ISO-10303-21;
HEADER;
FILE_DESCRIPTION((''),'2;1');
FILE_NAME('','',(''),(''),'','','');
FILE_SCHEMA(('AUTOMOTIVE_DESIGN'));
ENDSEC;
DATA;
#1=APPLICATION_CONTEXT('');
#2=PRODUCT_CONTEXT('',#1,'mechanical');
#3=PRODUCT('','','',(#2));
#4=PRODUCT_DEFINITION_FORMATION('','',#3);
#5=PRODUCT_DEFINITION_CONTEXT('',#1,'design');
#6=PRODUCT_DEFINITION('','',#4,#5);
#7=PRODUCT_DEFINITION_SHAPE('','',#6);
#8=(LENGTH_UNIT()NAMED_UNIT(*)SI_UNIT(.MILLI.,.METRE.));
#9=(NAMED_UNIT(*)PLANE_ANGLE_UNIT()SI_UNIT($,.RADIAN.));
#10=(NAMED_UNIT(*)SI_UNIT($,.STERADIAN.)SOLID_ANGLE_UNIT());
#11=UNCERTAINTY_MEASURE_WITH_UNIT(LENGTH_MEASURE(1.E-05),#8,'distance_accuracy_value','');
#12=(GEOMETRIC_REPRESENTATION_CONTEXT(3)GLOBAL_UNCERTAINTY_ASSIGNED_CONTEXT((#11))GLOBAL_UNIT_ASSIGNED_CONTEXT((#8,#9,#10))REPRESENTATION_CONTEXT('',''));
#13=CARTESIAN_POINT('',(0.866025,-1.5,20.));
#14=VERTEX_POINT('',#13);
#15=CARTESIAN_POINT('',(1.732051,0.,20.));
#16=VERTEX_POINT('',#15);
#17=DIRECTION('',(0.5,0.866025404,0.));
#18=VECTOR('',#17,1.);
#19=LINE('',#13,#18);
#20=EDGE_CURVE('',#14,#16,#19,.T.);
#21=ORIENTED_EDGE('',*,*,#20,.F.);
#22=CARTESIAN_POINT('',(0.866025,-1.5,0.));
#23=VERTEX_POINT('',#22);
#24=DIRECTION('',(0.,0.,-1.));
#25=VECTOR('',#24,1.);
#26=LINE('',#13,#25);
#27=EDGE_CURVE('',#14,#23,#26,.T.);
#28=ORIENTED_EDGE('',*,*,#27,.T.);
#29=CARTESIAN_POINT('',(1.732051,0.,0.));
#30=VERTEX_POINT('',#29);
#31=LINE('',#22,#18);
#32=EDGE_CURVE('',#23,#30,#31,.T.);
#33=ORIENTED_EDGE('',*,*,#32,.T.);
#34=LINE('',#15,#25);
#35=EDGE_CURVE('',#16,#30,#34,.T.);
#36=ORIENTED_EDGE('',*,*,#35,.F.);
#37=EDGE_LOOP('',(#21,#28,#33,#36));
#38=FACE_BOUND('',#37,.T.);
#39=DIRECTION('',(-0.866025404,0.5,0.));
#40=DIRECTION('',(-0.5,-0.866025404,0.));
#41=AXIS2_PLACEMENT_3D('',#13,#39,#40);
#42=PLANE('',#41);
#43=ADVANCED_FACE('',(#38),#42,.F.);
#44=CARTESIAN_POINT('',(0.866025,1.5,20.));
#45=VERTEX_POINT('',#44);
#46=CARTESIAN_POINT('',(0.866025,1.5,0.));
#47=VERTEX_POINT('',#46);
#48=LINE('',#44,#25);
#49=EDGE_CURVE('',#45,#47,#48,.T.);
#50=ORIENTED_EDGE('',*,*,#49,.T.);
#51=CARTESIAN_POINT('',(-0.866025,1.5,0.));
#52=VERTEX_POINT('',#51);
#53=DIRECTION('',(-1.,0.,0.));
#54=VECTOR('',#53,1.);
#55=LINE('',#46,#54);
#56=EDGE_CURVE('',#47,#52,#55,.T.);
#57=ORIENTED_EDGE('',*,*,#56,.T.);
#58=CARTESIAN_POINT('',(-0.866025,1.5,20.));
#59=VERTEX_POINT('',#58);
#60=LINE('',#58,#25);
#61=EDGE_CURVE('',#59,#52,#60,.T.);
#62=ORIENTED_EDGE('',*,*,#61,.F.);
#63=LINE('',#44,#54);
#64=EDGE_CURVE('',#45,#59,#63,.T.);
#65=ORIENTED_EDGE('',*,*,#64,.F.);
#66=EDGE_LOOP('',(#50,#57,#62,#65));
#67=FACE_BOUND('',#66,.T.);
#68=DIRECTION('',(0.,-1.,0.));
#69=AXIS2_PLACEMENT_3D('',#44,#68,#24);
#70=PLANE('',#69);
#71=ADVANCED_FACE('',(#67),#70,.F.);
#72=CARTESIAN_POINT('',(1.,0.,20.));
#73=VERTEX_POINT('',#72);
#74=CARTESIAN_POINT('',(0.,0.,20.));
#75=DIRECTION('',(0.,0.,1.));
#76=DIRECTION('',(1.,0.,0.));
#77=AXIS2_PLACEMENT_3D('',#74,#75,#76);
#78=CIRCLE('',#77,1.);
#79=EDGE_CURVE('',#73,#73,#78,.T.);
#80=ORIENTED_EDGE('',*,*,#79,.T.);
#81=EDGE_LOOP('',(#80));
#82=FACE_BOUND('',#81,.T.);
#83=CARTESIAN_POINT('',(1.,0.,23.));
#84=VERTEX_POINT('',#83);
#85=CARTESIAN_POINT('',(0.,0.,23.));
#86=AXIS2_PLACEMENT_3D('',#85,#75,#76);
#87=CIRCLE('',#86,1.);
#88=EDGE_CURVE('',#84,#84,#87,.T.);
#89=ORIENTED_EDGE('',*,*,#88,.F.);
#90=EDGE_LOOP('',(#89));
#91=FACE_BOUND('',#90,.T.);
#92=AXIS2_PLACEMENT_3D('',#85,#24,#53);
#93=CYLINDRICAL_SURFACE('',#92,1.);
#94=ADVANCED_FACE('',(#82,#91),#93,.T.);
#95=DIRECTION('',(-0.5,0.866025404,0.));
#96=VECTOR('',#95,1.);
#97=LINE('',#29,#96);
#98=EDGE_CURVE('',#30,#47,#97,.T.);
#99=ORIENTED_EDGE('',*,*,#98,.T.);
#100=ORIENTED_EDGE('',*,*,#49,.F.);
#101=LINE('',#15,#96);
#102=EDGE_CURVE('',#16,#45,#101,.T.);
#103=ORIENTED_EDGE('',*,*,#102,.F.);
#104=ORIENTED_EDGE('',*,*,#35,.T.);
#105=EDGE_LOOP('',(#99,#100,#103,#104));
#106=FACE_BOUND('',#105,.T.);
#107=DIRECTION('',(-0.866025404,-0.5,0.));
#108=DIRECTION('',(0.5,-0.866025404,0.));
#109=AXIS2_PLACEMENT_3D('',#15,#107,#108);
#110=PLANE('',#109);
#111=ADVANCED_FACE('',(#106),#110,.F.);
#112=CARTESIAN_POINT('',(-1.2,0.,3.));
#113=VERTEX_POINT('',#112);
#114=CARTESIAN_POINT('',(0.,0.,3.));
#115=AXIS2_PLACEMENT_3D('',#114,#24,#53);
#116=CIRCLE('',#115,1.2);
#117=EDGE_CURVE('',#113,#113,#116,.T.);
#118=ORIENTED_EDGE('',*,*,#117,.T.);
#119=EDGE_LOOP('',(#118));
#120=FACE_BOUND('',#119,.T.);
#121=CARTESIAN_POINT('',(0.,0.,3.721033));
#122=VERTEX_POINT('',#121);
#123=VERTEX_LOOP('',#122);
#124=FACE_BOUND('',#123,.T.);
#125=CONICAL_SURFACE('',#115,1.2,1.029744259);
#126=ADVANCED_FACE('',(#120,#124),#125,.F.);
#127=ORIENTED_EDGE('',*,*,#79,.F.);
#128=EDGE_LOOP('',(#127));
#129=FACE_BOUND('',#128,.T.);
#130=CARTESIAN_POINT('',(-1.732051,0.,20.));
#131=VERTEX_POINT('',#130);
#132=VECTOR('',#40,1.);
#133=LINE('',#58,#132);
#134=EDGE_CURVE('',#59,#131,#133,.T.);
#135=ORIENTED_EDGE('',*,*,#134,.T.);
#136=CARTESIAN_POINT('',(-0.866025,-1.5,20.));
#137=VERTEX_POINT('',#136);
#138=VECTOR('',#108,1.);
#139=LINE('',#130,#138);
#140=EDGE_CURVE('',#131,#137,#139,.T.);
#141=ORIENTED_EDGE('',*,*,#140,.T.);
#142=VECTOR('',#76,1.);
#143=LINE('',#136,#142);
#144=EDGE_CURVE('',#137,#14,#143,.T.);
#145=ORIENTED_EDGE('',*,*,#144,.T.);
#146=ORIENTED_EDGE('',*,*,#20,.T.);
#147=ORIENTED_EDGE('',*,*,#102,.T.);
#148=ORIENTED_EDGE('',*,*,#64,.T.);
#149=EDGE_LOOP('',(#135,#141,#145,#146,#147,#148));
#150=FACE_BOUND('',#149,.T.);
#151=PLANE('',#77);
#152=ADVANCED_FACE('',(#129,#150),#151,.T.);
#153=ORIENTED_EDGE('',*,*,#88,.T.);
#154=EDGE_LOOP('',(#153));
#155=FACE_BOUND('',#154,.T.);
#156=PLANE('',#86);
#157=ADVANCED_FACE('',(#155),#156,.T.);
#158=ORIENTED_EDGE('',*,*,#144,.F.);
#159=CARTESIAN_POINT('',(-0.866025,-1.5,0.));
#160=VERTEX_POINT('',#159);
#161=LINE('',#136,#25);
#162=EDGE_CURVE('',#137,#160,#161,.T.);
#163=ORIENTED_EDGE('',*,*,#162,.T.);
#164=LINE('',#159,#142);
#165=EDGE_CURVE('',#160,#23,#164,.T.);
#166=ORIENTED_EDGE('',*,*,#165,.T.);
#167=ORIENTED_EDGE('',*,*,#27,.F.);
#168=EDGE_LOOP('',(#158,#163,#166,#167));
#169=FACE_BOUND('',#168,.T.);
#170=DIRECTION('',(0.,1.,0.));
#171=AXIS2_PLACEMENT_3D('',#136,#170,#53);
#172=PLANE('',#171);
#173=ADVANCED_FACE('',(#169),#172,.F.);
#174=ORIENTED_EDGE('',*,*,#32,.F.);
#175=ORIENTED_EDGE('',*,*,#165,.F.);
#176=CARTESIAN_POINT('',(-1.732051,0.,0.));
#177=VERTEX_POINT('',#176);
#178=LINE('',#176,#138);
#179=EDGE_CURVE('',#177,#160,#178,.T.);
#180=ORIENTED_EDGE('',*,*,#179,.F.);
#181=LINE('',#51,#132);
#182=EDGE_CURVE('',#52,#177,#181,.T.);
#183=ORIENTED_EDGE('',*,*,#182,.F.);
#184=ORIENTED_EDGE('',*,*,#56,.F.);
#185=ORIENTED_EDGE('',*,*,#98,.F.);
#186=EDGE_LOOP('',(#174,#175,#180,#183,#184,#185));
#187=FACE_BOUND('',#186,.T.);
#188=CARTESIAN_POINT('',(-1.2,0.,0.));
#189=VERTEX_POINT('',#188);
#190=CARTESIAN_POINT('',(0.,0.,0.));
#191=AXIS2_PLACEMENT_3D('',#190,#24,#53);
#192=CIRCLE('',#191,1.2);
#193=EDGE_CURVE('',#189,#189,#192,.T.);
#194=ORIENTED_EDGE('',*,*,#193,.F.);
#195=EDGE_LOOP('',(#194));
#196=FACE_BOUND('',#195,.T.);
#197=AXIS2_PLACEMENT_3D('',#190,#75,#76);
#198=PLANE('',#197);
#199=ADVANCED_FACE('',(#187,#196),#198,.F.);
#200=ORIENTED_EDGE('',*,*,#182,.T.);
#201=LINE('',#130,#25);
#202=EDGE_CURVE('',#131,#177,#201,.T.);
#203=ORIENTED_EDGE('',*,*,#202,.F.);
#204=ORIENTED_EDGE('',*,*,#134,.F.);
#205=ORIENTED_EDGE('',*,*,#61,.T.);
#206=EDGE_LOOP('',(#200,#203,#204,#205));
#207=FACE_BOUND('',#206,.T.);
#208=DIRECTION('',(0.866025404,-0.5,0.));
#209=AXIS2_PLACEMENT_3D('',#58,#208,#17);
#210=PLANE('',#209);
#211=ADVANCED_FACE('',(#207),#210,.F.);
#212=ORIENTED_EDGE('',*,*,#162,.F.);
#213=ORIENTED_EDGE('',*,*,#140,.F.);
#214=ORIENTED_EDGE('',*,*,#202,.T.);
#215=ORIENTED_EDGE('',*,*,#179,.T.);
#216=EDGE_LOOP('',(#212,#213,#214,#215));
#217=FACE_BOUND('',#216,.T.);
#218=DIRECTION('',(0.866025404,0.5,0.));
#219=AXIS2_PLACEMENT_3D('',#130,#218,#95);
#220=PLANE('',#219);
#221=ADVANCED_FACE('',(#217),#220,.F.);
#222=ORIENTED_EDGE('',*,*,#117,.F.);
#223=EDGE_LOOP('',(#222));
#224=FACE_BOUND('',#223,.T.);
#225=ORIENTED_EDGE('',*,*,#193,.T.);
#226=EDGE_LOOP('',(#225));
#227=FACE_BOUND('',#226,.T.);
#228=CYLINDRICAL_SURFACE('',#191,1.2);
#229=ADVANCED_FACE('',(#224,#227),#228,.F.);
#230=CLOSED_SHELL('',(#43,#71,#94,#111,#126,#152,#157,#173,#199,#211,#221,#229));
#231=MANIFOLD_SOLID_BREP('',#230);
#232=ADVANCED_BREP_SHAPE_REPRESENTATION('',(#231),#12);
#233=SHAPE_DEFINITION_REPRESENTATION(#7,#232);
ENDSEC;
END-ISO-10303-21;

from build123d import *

# Parameters (mm, degrees)
EXTRUDE_1_DEPTH        = 20
SKETCH_2_R             = 1
EXTRUDE_2_DEPTH        = 3
HOLE_WIZARD_M2_1_D     = 2.4
HOLE_WIZARD_M2_1_DEPTH = 3
HOLE_WIZARD_M2_1_TIP   = 0.721032743


with BuildPart() as part:
    # 스케치1 → 보스-돌출1 (new body)
    with BuildSketch(Plane.XY):
        Polygon((0.866025404, -1.5), (1.732050808, 0), (0.866025404, 1.5), (-0.866025404, 1.5), (-1.732050808, 0), (-0.866025404, -1.5), align=None)
    extrude(amount=EXTRUDE_1_DEPTH)

    # 스케치2 → 보스-돌출2 (add)
    with BuildSketch(Plane.XY.offset(20)):
        Circle(SKETCH_2_R)
    extrude(amount=EXTRUDE_2_DEPTH)

    # M2 여유 구멍1
    with Locations(Plane(origin=(0, 0, 0), x_dir=(-1, 0, 0), z_dir=(0, 0, -1))):
        with Locations((0, 0)):
            Hole(HOLE_WIZARD_M2_1_D / 2, depth=HOLE_WIZARD_M2_1_DEPTH)
            with Locations((0, 0, -(HOLE_WIZARD_M2_1_DEPTH + HOLE_WIZARD_M2_1_TIP / 2))):  # 118° drill point
                Cone(0, HOLE_WIZARD_M2_1_D / 2, HOLE_WIZARD_M2_1_TIP, mode=Mode.SUBTRACT)


solid = part.part
